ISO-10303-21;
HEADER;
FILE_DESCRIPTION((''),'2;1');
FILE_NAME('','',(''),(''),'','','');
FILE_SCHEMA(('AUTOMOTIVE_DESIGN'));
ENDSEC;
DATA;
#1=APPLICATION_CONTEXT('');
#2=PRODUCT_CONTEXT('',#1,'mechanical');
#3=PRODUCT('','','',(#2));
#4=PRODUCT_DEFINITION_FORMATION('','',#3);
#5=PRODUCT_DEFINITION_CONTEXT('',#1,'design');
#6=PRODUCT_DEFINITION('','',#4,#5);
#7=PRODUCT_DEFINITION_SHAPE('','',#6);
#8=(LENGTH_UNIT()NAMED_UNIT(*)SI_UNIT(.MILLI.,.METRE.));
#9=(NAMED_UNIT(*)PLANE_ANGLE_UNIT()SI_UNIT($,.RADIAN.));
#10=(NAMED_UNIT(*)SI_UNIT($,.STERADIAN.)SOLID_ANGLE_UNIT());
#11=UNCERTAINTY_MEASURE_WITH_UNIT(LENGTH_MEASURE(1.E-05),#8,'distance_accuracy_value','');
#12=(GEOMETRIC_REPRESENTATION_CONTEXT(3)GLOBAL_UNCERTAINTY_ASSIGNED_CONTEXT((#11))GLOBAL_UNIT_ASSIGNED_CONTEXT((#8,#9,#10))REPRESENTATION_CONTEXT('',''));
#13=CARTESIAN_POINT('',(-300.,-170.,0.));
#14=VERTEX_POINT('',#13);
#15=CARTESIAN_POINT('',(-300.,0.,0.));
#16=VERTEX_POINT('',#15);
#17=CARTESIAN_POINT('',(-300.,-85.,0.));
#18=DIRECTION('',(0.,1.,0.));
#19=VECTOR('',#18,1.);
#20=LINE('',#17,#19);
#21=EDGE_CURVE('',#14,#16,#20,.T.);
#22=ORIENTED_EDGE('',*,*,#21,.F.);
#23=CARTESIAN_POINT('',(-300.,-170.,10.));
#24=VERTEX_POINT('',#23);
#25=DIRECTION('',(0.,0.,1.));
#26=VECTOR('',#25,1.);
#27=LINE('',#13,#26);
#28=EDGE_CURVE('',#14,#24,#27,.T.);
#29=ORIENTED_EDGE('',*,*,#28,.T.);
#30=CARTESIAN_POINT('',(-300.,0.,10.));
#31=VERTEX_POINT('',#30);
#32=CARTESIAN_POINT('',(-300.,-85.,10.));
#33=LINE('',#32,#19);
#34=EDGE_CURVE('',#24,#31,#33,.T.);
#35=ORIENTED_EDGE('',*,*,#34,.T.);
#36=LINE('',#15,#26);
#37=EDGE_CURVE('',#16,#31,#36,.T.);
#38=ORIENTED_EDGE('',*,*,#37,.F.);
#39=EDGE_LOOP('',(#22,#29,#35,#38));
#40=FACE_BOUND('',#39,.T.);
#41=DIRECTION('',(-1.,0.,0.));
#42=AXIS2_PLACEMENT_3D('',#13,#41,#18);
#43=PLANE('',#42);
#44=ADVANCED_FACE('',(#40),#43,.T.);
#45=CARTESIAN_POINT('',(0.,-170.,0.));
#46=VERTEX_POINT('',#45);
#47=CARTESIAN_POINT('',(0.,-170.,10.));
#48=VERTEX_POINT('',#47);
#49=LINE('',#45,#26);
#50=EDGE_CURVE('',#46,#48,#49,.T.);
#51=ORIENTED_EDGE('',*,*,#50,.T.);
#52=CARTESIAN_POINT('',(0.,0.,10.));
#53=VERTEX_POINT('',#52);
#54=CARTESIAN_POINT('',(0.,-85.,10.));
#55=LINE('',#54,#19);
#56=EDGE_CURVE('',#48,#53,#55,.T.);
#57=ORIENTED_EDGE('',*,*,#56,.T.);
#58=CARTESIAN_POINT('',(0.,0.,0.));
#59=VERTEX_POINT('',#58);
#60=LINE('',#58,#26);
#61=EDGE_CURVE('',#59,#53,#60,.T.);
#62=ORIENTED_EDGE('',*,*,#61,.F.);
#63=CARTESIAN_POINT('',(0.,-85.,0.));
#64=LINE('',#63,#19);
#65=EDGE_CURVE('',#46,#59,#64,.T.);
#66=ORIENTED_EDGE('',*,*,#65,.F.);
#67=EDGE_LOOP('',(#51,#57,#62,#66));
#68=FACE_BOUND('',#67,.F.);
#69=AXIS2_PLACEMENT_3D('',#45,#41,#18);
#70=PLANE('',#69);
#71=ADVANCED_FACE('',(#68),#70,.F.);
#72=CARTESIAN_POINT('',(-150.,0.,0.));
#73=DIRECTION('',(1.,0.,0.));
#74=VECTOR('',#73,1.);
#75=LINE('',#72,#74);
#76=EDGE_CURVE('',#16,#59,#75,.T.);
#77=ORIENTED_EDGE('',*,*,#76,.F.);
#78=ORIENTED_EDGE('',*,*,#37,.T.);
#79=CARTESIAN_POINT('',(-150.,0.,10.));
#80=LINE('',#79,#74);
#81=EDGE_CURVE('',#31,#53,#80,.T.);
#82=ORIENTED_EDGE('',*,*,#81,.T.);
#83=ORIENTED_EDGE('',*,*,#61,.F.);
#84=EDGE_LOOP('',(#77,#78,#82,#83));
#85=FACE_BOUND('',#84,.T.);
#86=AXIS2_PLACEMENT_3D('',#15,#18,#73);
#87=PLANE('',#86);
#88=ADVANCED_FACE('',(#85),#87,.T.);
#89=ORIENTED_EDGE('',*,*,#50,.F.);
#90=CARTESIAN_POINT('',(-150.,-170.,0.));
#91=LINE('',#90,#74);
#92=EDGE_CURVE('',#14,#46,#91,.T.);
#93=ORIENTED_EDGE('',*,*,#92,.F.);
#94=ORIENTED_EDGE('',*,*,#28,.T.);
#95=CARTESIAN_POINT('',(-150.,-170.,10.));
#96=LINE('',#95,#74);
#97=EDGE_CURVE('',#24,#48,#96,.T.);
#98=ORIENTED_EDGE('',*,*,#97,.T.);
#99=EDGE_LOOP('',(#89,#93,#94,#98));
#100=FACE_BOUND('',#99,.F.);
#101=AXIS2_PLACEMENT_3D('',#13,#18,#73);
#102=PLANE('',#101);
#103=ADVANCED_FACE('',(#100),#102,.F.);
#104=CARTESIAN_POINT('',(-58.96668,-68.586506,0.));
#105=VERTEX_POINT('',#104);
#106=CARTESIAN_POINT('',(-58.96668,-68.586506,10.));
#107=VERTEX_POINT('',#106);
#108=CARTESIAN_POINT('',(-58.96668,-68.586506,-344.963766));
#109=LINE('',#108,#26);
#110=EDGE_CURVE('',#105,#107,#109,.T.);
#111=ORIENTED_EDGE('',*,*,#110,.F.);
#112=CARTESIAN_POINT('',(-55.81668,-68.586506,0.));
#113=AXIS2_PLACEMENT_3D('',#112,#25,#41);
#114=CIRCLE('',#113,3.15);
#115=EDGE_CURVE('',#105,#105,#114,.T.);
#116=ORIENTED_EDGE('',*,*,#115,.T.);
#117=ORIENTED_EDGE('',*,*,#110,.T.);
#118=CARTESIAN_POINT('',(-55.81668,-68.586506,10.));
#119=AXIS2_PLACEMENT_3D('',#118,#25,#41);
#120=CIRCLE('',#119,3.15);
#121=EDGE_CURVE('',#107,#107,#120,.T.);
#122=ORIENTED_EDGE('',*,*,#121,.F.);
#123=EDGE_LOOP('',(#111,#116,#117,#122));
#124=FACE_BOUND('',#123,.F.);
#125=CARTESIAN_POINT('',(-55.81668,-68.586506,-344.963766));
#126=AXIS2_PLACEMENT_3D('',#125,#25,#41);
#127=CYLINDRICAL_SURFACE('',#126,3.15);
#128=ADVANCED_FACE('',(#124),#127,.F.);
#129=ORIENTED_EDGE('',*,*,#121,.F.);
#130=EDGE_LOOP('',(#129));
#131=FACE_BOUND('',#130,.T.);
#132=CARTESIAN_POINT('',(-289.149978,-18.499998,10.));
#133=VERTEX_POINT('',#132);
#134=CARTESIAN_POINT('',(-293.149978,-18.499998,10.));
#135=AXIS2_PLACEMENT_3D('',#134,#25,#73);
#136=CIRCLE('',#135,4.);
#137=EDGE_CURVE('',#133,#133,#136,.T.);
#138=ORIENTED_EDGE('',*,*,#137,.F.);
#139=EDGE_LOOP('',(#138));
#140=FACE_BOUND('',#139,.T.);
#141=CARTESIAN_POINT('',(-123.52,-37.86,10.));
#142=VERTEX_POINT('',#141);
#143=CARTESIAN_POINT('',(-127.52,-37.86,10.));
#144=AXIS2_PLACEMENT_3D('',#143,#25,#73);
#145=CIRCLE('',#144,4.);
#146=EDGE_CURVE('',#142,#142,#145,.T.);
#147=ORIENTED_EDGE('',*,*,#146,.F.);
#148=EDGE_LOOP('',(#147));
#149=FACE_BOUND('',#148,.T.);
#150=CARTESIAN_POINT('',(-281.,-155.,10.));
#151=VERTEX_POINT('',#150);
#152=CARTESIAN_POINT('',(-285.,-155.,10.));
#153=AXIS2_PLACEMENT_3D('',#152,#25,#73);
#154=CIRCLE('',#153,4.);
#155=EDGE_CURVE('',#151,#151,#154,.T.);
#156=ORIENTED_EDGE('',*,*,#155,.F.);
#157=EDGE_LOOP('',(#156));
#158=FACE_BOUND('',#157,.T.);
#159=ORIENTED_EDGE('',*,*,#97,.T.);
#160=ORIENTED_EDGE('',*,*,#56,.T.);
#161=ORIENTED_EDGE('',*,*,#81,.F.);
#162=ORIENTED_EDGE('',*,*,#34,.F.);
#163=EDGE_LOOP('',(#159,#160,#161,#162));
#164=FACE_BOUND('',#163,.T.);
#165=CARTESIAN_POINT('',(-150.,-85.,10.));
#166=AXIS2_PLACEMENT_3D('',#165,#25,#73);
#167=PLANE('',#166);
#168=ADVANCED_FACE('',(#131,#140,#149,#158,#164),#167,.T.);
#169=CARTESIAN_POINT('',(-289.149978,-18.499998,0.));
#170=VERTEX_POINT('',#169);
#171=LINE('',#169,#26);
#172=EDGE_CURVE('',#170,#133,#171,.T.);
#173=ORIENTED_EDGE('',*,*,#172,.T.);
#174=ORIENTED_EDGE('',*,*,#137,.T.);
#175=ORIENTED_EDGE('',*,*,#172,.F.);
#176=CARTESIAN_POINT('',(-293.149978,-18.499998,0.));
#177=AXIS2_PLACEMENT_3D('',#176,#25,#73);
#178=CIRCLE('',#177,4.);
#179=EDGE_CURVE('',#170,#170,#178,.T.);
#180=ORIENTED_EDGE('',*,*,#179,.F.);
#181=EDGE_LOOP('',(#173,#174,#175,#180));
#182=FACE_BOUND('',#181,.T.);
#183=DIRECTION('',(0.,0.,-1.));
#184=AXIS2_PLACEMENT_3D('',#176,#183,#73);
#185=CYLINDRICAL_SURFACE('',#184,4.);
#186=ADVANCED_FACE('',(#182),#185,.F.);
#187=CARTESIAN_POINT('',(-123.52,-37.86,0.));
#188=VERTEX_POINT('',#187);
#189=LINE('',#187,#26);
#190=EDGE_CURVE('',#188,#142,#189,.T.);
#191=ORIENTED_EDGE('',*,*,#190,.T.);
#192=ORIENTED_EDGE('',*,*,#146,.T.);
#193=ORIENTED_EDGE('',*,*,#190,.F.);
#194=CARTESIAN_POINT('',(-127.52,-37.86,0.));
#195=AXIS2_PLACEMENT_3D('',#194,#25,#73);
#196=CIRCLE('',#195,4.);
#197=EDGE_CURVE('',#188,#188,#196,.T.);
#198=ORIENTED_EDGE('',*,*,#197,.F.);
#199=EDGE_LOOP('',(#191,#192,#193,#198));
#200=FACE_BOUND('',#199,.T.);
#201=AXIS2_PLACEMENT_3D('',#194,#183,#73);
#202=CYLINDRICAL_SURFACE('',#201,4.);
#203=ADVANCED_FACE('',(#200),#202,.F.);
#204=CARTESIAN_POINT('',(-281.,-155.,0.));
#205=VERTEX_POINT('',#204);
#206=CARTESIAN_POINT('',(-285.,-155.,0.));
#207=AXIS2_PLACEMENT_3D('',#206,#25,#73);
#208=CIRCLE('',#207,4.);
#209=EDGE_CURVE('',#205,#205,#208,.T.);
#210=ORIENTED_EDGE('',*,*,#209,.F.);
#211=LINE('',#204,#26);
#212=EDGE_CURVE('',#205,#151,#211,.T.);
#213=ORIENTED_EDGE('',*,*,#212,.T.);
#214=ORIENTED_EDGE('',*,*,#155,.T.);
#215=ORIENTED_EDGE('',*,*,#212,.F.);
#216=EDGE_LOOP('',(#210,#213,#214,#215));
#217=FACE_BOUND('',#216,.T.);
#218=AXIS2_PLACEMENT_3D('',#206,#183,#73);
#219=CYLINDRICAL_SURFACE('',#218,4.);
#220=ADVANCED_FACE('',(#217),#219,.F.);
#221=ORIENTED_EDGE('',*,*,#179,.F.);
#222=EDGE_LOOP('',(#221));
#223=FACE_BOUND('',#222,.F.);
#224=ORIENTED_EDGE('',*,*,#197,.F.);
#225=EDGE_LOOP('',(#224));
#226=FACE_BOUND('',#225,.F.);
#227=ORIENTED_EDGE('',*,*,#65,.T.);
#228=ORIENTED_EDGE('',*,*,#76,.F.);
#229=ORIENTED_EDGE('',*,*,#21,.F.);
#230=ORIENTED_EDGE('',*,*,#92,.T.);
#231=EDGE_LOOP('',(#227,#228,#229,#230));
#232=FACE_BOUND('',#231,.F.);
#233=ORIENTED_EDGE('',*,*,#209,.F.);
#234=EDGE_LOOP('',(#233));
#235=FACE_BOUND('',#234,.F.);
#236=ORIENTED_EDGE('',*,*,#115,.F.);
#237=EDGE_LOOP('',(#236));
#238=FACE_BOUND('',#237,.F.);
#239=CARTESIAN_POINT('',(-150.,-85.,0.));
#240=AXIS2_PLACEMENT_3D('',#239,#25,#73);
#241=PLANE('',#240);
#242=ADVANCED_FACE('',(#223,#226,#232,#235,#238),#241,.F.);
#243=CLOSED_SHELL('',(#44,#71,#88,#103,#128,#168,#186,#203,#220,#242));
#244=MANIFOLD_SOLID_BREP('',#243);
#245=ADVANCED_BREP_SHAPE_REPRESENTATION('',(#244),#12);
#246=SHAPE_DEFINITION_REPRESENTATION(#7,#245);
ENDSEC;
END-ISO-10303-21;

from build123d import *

# Parameters (mm, degrees)
F0_W     = 300
F0_H     = 170
F0_R     = 4
F1_DEPTH = 10
F3_D     = 6.3


with BuildPart() as f1:
    # F0 (on Top) → F1 (new body)
    with BuildSketch(Plane.XY):
        with Locations((-150, -85)):
            Rectangle(F0_W, F0_H)
        with Locations((-285, -155)):
            Circle(F0_R, mode=Mode.SUBTRACT)
        with Locations((-293.1499779224, -18.4999983758)):
            Circle(F0_R, mode=Mode.SUBTRACT)
        with Locations((-127.52, -37.86)):
            Circle(F0_R, mode=Mode.SUBTRACT)
    extrude(amount=F1_DEPTH)

    # F3 (through all)
    with Locations(Plane(origin=(0, 0, 0), x_dir=(1, 0, 0), z_dir=(0, 0, -1))):
        with Locations((-55.8166801929, 68.5865059495)):
            Hole(F3_D / 2)


solid = f1.part
